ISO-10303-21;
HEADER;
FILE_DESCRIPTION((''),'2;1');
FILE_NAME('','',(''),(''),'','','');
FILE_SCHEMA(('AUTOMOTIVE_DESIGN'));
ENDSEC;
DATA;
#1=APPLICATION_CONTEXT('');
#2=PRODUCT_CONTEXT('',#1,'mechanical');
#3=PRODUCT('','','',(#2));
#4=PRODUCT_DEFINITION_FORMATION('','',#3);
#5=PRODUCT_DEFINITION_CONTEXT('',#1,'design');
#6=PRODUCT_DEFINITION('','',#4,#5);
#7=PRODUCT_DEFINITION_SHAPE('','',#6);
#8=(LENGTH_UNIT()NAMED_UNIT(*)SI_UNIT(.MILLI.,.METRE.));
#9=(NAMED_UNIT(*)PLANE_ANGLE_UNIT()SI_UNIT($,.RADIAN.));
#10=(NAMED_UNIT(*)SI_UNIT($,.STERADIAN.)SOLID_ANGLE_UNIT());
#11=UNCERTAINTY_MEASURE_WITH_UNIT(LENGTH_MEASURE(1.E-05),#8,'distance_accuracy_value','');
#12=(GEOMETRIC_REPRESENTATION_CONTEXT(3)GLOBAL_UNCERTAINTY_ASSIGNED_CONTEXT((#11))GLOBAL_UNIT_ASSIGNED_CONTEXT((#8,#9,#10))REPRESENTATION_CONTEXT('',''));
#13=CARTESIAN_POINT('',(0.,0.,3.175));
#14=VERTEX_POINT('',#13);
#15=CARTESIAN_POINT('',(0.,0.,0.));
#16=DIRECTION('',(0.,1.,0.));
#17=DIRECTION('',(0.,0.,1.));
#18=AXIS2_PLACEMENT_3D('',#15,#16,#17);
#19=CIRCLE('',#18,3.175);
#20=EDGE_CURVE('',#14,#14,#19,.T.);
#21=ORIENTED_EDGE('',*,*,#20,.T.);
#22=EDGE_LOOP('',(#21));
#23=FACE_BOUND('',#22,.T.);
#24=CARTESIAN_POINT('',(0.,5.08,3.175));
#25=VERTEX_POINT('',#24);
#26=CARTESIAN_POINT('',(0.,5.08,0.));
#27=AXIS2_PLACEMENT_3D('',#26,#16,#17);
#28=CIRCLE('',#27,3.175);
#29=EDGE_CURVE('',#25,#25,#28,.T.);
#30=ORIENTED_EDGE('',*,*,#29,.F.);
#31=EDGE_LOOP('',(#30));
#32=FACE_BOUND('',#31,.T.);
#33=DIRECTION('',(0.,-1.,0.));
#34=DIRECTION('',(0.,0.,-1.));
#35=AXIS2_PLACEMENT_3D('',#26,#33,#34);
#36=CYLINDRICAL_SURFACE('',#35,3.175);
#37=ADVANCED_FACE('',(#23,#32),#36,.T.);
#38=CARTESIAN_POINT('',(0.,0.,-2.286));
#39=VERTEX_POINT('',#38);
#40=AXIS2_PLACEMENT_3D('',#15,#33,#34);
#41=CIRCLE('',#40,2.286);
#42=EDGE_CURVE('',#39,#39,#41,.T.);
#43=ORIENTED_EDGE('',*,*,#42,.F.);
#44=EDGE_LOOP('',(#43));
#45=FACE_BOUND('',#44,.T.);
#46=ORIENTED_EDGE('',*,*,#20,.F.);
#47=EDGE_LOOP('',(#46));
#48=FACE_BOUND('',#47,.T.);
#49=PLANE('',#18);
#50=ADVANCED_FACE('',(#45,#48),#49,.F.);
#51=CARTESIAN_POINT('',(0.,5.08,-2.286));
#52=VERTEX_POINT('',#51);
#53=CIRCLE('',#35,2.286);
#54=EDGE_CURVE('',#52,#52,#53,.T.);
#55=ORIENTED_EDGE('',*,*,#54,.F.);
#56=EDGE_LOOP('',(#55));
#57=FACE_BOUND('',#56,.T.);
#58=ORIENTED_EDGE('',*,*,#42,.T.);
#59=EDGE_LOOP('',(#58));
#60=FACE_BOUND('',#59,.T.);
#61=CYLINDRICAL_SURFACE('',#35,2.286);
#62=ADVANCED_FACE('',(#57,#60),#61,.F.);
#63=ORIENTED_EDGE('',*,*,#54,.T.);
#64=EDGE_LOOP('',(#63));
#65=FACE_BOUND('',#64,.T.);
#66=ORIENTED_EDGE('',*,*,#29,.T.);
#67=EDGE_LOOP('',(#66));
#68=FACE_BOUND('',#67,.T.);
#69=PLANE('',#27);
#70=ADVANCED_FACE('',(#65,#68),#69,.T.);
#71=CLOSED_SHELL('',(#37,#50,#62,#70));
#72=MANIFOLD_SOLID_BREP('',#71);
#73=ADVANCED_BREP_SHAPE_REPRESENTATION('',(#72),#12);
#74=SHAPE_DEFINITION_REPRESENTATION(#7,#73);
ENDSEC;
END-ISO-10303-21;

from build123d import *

# Parameters (mm, degrees)
SKETCH1_R           = 3.175
BOSS_EXTRUDE1_DEPTH = 5.08
SKETCH3_R           = 2.286
CUT_EXTRUDE1_DEPTH  = 5.08


with BuildPart() as part:
    # Sketch1 → Boss-Extrude1 (new body)
    with BuildSketch(Plane(origin=(0, 0, 0), x_dir=(1, 0, 0), z_dir=(0, 1, 0))):
        with Locations(Location((0, 0, 0), (0, 0, 270))):
            Circle(SKETCH1_R)
    extrude(amount=BOSS_EXTRUDE1_DEPTH)

    # Sketch3 → Cut-Extrude1 (cut)
    with BuildSketch(Plane.XZ):
        with Locations(Location((0, 0, 0), (0, 0, 270))):
            Circle(SKETCH3_R)
    extrude(amount=-CUT_EXTRUDE1_DEPTH, mode=Mode.SUBTRACT)


solid = part.part
